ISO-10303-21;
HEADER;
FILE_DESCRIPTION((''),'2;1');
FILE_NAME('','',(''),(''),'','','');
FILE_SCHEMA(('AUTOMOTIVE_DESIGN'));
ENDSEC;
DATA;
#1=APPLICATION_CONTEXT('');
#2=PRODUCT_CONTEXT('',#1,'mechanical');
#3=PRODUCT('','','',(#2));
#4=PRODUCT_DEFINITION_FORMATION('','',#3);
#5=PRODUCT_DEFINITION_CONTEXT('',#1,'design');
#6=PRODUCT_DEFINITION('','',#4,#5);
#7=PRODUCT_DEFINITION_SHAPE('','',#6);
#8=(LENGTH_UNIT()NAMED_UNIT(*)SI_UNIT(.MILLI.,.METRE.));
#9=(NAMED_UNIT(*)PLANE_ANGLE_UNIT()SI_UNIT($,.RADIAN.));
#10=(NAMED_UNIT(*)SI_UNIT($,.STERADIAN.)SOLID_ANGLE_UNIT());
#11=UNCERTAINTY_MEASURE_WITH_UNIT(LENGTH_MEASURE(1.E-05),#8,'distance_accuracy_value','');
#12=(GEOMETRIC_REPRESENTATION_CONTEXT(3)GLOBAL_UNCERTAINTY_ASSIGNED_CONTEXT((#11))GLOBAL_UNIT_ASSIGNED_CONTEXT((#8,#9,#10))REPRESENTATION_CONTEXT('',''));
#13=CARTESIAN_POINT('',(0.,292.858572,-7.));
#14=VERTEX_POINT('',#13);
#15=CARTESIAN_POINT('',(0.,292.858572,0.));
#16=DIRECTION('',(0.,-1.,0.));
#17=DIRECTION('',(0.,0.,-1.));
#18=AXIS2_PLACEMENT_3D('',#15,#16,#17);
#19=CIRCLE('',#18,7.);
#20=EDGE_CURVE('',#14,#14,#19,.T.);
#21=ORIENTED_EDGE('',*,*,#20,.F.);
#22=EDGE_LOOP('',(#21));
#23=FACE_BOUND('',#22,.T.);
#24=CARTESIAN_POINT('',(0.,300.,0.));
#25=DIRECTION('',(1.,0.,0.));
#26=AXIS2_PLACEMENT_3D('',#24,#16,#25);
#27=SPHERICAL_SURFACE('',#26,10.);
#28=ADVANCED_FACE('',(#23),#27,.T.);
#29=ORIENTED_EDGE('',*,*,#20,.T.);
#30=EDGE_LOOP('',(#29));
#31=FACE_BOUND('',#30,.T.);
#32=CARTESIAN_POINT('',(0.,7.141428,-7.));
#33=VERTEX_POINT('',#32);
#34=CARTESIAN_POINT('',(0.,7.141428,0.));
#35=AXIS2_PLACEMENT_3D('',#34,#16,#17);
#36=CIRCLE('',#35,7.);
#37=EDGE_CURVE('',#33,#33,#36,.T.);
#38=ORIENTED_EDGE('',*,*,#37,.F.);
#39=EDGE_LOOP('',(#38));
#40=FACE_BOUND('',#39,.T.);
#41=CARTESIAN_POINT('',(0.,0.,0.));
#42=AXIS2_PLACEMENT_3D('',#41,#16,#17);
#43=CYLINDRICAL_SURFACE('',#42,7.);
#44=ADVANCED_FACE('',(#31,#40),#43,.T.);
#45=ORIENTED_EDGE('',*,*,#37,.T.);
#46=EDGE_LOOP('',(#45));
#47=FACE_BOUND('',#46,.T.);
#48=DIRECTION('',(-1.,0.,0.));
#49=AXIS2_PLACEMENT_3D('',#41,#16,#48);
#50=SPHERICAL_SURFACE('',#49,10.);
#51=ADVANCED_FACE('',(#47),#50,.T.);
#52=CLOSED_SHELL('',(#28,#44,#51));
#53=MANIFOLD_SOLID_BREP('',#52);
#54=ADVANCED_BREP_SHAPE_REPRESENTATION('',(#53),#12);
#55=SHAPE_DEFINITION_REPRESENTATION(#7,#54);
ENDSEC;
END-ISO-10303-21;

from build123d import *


with BuildPart() as part:
    # Sketch1 → Revolve1 (revolve)
    with BuildSketch(Plane.XY, mode=Mode.PRIVATE) as revolve1_sk:
        with BuildLine():
            Line((0, 310), (0, 300))
            Line((0, 300), (7, 300))
            Line((7, 300), (7, 292.858571571))
            ThreePointArc((7, 292.858571571), (9.257815193, 303.780589618), (0, 310))
        make_face()
        with BuildLine():
            Line((7, 300), (0, 300))
            Line((0, 300), (0, 290))
            ThreePointArc((0, 290), (3.780589618, 290.742184807), (7, 292.858571571))
            Line((7, 292.858571571), (7, 300))
        make_face()
        with BuildLine():
            ThreePointArc((7, 292.858571571), (3.780589618, 290.742184807), (0, 290))
            Line((0, 290), (0, 10))
            ThreePointArc((0, 10), (3.780589618, 9.257815193), (7, 7.141428429))
            Line((7, 7.141428429), (7, 292.858571571))
        make_face()
        with BuildLine():
            ThreePointArc((7, 7.141428429), (3.780589618, 9.257815193), (0, 10))
            Line((0, 10), (0, 0))
            Line((0, 0), (7, 0))
            Line((7, 0), (7, 7.141428429))
        make_face()
        with BuildLine():
            ThreePointArc((0, -10), (9.257815193, -3.780589618), (7, 7.141428429))
            Line((7, 7.141428429), (7, 0))
            Line((7, 0), (0, 0))
            Line((0, 0), (0, -10))
        make_face()
    revolve(revolve1_sk.sketch.rotate(Axis((0, 0, 0), (0, 1, 0)), 90), axis=Axis((0, 0, 0), (0, 1, 0)))


solid = part.part
